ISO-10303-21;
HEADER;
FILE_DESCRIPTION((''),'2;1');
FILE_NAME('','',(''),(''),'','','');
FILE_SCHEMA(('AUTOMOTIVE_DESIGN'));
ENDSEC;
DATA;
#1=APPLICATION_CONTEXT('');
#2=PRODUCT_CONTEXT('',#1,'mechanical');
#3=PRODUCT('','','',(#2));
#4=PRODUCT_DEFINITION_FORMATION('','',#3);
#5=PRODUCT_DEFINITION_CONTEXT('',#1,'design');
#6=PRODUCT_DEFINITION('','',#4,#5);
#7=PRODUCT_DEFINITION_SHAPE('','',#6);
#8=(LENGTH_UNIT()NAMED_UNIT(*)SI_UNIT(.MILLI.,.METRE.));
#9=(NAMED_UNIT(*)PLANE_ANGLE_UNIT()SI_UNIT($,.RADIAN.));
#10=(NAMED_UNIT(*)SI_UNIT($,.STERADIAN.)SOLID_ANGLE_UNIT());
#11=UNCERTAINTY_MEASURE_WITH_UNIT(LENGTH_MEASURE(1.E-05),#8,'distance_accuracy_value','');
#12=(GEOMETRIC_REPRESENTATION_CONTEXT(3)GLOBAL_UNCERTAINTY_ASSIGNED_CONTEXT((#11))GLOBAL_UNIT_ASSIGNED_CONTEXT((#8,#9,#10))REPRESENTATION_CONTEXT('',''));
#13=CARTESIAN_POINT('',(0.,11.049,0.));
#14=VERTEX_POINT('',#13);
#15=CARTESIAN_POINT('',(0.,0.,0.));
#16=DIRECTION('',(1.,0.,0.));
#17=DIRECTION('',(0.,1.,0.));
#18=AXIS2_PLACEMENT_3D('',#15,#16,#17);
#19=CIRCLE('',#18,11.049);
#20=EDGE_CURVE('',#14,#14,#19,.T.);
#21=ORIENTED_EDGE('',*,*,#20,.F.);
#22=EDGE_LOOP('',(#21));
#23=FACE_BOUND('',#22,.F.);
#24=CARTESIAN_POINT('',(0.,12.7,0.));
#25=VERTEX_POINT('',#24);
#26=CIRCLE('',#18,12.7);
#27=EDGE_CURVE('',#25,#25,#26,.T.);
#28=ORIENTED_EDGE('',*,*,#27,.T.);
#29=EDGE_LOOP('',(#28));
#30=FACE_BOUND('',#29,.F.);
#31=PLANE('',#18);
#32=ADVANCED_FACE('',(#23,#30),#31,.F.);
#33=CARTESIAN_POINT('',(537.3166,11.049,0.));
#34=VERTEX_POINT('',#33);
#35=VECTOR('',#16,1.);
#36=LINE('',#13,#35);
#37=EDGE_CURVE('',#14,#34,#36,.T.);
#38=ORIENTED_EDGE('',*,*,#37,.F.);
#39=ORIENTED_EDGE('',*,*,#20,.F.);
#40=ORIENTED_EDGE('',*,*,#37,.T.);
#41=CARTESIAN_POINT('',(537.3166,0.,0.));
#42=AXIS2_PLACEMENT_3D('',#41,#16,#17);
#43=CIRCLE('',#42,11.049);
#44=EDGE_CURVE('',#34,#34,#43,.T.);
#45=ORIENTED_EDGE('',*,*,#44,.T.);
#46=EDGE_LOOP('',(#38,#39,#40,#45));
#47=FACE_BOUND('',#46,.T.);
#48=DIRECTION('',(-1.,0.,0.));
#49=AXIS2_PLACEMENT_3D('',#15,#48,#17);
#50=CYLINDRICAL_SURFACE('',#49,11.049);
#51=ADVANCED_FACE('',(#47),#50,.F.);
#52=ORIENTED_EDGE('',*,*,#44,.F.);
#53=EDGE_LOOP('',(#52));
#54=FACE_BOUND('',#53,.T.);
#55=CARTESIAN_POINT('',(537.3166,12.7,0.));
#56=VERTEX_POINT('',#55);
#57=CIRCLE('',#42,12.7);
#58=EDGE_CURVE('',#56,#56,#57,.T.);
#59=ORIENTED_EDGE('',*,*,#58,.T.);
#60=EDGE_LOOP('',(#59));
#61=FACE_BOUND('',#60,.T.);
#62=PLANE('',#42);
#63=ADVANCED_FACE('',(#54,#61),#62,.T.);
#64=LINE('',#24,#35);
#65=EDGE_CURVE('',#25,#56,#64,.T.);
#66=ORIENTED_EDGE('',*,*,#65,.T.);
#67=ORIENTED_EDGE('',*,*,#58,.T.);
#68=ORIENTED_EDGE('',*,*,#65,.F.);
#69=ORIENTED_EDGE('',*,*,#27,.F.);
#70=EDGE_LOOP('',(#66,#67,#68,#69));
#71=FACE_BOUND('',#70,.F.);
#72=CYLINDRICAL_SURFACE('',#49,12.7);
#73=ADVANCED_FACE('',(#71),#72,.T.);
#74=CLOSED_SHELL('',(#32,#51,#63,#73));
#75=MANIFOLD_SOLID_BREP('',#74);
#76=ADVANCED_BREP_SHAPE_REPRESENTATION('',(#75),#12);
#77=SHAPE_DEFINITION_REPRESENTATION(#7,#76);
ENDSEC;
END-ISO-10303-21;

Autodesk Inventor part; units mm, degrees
ref_plane "XZ Plane" through (0, 0, 0) normal (0, 1, 0) x (-1, 0, 0)
ref_plane "Start Plane" through (0, 0, 0) normal (1, 0, 0) x (0, 1, 0)
ref_plane "End Plane" through (537.3166, 0, 0) normal (1, 0, 0) x (0, 1, 0)
sketch "Sketch" plane through (0, 0, 0) normal (1, 0, 0) x (0, 1, 0)
  circle A0 centre (0, 0) radius 12.7
  circle A1 centre (0, 0) radius 11.049
  dimension "d0" = 25.4
  dimension "d1" = 1.651
extrude "Body" add sketch "Sketch" along normal up to surface (537.3166 mm away) from surface at 0
sketch "Sketch2" plane through (0, 0, 0) normal (1, 0, 0) x (0, 1, 0)
  line L0 (0, 0) -> (10, 0)
ref_plane "Work Plane3" through (0, 0, 0) normal (0, 0, -1) x (0, 1, 0)
sketch "Sketch3" plane through (0, 0, 0) normal (0, 0, -1) x (0, 1, 0)
  line L0 (-2, 0) -> (12, 0)
  line L1 (-2, 537.3166) -> (12, 537.3166)
  dimension "d9" = 537.3166
equation "\"G_OFFSET_START\" = 0"
equation "\"G_OFFSET_END\" = 0"
equation "\"d5\" = d2 + G_OFFSET_END"
equation "\"G_L\" = d9"
equation "\"d2\" = 537.316573"
properties part number "4130_1x0.065" material "Steel, Alloy"
